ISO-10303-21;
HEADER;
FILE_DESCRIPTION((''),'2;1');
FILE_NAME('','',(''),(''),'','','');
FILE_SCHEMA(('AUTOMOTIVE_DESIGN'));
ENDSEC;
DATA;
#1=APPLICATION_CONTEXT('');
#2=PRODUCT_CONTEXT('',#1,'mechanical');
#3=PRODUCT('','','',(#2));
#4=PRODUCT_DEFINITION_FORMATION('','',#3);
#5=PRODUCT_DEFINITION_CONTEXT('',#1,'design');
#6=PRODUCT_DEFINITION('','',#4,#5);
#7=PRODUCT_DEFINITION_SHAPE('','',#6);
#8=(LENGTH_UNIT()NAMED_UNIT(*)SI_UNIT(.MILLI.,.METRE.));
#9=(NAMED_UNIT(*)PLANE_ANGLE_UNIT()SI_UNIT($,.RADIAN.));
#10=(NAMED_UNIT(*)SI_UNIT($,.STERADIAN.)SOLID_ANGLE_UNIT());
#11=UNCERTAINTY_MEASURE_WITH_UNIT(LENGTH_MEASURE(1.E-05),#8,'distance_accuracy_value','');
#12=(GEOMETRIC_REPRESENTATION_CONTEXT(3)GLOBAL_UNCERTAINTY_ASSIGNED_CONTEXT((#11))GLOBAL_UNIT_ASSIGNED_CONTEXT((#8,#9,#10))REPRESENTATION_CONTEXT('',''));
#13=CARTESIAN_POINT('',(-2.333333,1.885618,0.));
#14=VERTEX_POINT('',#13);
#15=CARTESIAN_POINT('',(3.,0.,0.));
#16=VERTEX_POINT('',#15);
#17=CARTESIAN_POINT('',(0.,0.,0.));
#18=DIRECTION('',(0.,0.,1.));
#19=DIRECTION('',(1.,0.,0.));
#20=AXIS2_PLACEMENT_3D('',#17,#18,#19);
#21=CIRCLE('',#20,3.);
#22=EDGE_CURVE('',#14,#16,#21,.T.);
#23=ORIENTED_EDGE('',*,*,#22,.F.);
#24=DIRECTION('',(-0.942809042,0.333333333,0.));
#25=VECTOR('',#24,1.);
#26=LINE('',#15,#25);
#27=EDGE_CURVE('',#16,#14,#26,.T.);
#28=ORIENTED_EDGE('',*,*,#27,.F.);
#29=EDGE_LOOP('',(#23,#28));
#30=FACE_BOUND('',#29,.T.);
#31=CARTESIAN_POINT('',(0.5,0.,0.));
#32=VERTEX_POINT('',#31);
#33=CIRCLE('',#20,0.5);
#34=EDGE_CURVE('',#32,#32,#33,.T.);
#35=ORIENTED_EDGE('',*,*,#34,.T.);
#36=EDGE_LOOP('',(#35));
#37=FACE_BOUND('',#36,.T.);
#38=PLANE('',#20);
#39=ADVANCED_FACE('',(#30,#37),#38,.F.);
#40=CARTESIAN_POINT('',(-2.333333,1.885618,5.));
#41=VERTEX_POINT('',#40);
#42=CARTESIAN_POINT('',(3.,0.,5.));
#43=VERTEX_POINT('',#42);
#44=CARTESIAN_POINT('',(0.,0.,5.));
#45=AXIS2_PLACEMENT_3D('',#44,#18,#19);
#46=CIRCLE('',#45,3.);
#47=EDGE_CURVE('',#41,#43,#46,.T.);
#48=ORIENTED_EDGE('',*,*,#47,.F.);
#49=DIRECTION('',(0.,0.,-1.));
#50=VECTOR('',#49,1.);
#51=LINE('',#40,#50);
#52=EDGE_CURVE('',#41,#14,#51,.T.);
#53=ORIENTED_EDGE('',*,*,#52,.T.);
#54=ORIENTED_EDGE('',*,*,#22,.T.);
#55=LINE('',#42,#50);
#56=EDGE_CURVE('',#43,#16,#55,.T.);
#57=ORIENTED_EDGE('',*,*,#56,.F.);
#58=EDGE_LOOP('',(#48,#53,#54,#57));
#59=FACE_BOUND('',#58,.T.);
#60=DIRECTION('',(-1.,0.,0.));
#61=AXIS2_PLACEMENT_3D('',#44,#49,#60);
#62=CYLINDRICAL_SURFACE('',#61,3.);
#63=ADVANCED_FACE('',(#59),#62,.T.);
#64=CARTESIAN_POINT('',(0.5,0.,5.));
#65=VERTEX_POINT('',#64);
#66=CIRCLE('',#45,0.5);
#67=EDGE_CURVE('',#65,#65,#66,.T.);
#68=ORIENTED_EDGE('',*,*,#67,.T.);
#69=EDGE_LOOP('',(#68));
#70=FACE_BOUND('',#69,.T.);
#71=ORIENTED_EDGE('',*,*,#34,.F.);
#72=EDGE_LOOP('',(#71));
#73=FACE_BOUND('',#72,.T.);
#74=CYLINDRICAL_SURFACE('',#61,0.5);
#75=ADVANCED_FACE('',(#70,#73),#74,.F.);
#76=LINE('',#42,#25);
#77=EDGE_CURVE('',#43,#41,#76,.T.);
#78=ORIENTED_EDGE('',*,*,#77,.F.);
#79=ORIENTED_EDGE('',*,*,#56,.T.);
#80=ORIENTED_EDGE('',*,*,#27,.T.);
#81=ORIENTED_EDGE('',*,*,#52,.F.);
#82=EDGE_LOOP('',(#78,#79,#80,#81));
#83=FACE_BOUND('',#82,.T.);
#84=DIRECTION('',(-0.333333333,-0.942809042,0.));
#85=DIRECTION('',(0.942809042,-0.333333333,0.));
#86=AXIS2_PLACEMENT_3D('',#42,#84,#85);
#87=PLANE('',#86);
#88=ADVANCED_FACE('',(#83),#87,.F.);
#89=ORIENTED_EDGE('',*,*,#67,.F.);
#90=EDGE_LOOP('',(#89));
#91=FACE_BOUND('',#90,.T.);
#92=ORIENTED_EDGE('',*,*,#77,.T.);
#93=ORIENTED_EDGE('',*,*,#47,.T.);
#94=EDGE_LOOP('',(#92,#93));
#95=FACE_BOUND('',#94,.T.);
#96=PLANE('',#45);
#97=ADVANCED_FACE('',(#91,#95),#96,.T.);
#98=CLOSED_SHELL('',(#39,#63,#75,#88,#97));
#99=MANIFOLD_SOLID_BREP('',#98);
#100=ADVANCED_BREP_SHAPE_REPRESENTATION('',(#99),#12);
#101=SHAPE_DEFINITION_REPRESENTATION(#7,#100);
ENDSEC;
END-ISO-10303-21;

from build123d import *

# Parameters (mm, degrees)
SCHIZZO1_R                   = 0.5
ESTRUSIONE_ESTRUSIONE1_DEPTH = 5


with BuildPart() as part:
    # Schizzo1 → Estrusione-Estrusione1 (new body)
    with BuildSketch(Plane.XY):
        with BuildLine():
            Line((3, 0), (-2.333333333, 1.885618083))
            ThreePointArc((-2.333333333, 1.885618083), (-1, -2.828427125), (3, 0))
        make_face()
        Circle(SCHIZZO1_R, mode=Mode.SUBTRACT)
    extrude(amount=ESTRUSIONE_ESTRUSIONE1_DEPTH)


solid = part.part
